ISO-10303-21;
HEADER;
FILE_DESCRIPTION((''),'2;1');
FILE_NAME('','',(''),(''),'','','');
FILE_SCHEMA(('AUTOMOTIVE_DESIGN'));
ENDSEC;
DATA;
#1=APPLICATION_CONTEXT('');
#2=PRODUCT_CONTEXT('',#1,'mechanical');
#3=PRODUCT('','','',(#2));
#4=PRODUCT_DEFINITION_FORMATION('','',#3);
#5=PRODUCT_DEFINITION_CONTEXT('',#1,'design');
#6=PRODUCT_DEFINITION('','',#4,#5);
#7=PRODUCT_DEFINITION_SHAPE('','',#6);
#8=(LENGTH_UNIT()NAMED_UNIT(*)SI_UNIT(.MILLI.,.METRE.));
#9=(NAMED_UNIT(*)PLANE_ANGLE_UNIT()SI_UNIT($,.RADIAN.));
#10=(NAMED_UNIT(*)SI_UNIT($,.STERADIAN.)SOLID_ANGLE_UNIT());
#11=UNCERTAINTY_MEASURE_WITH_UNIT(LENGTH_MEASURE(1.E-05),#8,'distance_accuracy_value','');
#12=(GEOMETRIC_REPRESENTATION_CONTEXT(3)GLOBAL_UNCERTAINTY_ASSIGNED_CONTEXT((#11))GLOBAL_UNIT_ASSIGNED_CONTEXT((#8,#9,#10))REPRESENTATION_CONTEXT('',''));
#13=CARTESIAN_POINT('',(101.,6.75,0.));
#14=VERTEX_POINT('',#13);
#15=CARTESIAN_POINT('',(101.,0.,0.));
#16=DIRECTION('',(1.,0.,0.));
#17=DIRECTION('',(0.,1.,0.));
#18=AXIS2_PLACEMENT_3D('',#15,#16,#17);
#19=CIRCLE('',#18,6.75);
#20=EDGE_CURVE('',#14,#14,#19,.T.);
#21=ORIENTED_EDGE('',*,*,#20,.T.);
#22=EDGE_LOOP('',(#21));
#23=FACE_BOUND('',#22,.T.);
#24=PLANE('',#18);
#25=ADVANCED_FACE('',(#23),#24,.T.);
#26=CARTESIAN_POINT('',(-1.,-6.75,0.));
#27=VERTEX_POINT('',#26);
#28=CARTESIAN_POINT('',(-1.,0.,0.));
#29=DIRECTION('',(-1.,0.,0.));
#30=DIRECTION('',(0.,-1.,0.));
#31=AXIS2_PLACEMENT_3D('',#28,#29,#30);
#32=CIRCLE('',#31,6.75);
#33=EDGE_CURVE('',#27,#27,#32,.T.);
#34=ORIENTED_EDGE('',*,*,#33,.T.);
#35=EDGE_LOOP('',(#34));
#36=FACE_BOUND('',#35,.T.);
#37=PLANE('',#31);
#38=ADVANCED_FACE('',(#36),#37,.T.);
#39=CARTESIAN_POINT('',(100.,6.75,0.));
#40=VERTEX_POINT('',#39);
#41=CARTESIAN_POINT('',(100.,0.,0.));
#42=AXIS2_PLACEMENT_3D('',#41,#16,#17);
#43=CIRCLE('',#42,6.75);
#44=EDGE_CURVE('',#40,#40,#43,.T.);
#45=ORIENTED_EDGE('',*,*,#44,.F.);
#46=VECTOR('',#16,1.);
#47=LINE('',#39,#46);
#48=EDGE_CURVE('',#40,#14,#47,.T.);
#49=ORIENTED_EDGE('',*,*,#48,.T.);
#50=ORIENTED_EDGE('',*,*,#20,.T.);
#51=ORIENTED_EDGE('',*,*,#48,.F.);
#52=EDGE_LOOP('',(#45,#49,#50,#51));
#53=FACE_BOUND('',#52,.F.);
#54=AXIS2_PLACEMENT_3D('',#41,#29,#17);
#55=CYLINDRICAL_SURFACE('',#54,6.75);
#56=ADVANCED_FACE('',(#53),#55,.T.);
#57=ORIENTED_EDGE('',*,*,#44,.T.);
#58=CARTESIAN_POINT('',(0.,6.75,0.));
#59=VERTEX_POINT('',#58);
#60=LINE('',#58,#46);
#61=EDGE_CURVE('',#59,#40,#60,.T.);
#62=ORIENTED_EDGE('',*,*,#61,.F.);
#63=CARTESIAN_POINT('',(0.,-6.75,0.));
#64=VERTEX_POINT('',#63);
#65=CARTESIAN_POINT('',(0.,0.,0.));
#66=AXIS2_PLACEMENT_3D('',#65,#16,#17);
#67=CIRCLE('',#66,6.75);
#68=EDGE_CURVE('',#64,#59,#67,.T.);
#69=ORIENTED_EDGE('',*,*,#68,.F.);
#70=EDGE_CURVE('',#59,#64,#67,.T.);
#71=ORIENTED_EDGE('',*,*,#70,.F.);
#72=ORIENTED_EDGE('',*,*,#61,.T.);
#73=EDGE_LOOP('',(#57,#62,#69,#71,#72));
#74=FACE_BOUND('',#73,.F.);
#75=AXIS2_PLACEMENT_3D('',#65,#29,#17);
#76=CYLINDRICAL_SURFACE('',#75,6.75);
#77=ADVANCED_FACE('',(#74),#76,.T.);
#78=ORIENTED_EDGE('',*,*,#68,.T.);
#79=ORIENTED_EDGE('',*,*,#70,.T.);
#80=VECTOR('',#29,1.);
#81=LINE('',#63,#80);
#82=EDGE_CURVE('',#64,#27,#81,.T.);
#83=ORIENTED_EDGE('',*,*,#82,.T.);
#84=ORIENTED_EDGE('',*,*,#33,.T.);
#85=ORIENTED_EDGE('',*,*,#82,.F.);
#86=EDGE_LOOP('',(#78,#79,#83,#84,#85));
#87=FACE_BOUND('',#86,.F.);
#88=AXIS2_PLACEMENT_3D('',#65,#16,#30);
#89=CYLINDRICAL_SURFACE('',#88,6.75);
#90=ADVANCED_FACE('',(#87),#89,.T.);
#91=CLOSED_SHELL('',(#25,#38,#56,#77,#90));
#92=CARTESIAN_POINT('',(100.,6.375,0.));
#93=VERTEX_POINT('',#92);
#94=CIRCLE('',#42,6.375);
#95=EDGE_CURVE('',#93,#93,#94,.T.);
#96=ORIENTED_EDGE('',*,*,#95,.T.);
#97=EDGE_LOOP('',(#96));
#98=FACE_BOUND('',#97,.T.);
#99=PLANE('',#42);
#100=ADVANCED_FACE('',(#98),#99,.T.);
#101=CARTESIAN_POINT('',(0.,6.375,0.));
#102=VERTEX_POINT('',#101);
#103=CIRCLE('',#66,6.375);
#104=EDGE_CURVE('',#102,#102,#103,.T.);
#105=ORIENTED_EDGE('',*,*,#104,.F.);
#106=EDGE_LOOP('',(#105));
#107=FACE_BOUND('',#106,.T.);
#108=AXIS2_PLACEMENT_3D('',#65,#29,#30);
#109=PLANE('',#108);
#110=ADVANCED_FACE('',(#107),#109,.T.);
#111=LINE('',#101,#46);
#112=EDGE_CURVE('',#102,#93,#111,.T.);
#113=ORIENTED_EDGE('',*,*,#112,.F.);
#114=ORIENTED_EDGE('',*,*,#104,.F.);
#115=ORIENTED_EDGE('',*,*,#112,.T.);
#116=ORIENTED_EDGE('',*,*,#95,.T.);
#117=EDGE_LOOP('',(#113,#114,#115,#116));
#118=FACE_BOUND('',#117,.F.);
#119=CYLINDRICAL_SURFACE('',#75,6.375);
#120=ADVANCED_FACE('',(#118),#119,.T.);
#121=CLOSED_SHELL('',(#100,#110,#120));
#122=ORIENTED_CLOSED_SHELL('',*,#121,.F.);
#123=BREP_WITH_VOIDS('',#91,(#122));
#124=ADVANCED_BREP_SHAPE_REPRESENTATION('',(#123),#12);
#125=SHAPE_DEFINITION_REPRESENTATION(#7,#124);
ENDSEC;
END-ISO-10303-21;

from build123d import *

# Parameters (mm, degrees)
F0_R     = 6.75
F0_R_2   = 6.375
F1_DEPTH = 100
F2_R     = 6.75
F3_DEPTH = 1
F4_R     = 6.75
F5_DEPTH = 1


with BuildPart() as f1:
    # F0 (on Right) → F1 (new body)
    with BuildSketch(Plane.YZ):
        Circle(F0_R)
        Circle(F0_R_2, mode=Mode.SUBTRACT)
    extrude(amount=F1_DEPTH)

    # F2 (on face) → F3 (join)
    with BuildSketch(Plane(origin=(0, 0, 0), x_dir=(0, -1, 0), z_dir=(-1, 0, 0))):
        Circle(F2_R)
    extrude(amount=F3_DEPTH)

    # F4 (on face) → F5 (join)
    with BuildSketch(Plane.YZ.offset(100)):
        Circle(F4_R)
    extrude(amount=F5_DEPTH)


solid = f1.part
